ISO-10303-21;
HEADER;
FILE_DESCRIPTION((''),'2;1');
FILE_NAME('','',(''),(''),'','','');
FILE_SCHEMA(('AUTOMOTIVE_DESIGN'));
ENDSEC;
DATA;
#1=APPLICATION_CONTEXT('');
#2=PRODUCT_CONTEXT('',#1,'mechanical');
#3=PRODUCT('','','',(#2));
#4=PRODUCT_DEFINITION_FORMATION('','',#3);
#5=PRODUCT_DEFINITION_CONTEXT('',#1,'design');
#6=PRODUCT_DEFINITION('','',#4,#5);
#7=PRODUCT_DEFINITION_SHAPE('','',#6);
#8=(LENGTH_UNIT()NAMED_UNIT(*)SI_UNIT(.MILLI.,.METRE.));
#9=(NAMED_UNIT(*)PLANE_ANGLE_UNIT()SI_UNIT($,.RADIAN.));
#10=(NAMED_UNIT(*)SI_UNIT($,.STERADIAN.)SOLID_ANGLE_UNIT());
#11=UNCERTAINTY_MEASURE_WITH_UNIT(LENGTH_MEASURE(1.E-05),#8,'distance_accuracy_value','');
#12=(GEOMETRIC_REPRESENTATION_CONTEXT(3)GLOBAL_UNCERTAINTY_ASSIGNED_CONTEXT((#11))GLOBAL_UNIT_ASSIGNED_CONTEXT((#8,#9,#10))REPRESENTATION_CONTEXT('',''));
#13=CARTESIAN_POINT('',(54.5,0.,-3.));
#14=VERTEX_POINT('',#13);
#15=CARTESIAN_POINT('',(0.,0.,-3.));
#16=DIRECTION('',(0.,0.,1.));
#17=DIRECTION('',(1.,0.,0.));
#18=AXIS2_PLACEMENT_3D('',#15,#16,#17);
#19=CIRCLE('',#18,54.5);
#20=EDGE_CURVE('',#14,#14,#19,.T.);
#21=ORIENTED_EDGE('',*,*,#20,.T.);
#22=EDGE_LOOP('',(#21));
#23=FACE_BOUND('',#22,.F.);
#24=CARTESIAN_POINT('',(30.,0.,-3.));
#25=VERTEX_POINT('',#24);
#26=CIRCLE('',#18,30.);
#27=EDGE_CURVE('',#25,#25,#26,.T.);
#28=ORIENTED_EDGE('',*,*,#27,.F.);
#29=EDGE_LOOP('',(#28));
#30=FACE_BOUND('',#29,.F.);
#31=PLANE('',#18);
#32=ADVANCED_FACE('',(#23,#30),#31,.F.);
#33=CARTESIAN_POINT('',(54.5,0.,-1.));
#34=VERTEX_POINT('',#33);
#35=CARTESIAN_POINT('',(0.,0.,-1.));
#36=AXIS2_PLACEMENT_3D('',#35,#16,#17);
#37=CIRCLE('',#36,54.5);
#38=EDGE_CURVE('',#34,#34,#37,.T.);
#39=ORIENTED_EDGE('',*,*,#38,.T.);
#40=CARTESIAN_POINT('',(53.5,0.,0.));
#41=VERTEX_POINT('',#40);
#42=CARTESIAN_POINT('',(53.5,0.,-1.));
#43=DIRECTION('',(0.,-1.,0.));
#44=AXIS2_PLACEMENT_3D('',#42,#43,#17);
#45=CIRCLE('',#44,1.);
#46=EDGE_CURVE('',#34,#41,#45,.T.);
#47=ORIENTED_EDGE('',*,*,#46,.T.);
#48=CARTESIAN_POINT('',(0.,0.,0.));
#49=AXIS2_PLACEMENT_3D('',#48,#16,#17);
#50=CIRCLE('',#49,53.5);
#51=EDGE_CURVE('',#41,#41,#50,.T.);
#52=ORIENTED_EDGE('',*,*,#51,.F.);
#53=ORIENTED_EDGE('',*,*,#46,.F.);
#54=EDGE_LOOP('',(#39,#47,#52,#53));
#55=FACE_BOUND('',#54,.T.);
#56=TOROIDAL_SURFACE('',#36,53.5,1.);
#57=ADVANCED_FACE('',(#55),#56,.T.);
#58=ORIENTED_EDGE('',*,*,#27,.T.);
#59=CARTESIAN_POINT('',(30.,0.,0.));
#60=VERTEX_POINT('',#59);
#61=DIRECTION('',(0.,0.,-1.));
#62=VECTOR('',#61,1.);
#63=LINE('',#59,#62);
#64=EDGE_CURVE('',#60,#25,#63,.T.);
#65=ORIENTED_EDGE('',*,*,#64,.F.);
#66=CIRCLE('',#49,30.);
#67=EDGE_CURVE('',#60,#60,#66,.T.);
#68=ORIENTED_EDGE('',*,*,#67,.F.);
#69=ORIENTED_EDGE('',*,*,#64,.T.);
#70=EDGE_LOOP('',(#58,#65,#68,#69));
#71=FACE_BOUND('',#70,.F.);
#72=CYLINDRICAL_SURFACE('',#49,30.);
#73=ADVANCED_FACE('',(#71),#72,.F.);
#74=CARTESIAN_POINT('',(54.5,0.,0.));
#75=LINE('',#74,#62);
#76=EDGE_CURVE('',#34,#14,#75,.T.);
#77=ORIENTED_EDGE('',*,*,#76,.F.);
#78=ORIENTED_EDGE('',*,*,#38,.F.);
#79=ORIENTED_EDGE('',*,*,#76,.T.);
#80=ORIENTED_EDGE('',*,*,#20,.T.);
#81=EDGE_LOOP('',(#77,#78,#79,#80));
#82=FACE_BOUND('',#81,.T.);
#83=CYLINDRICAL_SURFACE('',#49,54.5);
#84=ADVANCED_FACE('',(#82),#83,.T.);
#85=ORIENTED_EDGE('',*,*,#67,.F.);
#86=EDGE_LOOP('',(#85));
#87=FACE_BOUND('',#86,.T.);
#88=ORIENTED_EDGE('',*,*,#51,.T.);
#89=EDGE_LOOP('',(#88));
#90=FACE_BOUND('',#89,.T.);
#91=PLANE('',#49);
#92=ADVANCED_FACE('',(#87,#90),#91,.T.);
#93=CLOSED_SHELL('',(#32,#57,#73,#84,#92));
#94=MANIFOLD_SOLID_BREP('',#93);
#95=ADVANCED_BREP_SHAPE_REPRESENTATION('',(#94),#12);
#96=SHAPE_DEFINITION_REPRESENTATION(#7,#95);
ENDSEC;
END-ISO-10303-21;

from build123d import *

# Parameters (mm, degrees)
F0_R     = 54.5
F0_R_2   = 30
F1_DEPTH = 3
F2_R     = 1


with BuildPart() as f1:
    # F0 (on Top) → F1 (new body)
    with BuildSketch(Plane.XY):
        Circle(F0_R)
        Circle(F0_R_2, mode=Mode.SUBTRACT)
    extrude(amount=-F1_DEPTH)

    # F2
    f2_edges = [f1.edges().sort_by_distance(p)[0] for p in [
        (-54.5, 0, 0),
    ]]
    fillet(f2_edges, radius=F2_R)


solid = f1.part
